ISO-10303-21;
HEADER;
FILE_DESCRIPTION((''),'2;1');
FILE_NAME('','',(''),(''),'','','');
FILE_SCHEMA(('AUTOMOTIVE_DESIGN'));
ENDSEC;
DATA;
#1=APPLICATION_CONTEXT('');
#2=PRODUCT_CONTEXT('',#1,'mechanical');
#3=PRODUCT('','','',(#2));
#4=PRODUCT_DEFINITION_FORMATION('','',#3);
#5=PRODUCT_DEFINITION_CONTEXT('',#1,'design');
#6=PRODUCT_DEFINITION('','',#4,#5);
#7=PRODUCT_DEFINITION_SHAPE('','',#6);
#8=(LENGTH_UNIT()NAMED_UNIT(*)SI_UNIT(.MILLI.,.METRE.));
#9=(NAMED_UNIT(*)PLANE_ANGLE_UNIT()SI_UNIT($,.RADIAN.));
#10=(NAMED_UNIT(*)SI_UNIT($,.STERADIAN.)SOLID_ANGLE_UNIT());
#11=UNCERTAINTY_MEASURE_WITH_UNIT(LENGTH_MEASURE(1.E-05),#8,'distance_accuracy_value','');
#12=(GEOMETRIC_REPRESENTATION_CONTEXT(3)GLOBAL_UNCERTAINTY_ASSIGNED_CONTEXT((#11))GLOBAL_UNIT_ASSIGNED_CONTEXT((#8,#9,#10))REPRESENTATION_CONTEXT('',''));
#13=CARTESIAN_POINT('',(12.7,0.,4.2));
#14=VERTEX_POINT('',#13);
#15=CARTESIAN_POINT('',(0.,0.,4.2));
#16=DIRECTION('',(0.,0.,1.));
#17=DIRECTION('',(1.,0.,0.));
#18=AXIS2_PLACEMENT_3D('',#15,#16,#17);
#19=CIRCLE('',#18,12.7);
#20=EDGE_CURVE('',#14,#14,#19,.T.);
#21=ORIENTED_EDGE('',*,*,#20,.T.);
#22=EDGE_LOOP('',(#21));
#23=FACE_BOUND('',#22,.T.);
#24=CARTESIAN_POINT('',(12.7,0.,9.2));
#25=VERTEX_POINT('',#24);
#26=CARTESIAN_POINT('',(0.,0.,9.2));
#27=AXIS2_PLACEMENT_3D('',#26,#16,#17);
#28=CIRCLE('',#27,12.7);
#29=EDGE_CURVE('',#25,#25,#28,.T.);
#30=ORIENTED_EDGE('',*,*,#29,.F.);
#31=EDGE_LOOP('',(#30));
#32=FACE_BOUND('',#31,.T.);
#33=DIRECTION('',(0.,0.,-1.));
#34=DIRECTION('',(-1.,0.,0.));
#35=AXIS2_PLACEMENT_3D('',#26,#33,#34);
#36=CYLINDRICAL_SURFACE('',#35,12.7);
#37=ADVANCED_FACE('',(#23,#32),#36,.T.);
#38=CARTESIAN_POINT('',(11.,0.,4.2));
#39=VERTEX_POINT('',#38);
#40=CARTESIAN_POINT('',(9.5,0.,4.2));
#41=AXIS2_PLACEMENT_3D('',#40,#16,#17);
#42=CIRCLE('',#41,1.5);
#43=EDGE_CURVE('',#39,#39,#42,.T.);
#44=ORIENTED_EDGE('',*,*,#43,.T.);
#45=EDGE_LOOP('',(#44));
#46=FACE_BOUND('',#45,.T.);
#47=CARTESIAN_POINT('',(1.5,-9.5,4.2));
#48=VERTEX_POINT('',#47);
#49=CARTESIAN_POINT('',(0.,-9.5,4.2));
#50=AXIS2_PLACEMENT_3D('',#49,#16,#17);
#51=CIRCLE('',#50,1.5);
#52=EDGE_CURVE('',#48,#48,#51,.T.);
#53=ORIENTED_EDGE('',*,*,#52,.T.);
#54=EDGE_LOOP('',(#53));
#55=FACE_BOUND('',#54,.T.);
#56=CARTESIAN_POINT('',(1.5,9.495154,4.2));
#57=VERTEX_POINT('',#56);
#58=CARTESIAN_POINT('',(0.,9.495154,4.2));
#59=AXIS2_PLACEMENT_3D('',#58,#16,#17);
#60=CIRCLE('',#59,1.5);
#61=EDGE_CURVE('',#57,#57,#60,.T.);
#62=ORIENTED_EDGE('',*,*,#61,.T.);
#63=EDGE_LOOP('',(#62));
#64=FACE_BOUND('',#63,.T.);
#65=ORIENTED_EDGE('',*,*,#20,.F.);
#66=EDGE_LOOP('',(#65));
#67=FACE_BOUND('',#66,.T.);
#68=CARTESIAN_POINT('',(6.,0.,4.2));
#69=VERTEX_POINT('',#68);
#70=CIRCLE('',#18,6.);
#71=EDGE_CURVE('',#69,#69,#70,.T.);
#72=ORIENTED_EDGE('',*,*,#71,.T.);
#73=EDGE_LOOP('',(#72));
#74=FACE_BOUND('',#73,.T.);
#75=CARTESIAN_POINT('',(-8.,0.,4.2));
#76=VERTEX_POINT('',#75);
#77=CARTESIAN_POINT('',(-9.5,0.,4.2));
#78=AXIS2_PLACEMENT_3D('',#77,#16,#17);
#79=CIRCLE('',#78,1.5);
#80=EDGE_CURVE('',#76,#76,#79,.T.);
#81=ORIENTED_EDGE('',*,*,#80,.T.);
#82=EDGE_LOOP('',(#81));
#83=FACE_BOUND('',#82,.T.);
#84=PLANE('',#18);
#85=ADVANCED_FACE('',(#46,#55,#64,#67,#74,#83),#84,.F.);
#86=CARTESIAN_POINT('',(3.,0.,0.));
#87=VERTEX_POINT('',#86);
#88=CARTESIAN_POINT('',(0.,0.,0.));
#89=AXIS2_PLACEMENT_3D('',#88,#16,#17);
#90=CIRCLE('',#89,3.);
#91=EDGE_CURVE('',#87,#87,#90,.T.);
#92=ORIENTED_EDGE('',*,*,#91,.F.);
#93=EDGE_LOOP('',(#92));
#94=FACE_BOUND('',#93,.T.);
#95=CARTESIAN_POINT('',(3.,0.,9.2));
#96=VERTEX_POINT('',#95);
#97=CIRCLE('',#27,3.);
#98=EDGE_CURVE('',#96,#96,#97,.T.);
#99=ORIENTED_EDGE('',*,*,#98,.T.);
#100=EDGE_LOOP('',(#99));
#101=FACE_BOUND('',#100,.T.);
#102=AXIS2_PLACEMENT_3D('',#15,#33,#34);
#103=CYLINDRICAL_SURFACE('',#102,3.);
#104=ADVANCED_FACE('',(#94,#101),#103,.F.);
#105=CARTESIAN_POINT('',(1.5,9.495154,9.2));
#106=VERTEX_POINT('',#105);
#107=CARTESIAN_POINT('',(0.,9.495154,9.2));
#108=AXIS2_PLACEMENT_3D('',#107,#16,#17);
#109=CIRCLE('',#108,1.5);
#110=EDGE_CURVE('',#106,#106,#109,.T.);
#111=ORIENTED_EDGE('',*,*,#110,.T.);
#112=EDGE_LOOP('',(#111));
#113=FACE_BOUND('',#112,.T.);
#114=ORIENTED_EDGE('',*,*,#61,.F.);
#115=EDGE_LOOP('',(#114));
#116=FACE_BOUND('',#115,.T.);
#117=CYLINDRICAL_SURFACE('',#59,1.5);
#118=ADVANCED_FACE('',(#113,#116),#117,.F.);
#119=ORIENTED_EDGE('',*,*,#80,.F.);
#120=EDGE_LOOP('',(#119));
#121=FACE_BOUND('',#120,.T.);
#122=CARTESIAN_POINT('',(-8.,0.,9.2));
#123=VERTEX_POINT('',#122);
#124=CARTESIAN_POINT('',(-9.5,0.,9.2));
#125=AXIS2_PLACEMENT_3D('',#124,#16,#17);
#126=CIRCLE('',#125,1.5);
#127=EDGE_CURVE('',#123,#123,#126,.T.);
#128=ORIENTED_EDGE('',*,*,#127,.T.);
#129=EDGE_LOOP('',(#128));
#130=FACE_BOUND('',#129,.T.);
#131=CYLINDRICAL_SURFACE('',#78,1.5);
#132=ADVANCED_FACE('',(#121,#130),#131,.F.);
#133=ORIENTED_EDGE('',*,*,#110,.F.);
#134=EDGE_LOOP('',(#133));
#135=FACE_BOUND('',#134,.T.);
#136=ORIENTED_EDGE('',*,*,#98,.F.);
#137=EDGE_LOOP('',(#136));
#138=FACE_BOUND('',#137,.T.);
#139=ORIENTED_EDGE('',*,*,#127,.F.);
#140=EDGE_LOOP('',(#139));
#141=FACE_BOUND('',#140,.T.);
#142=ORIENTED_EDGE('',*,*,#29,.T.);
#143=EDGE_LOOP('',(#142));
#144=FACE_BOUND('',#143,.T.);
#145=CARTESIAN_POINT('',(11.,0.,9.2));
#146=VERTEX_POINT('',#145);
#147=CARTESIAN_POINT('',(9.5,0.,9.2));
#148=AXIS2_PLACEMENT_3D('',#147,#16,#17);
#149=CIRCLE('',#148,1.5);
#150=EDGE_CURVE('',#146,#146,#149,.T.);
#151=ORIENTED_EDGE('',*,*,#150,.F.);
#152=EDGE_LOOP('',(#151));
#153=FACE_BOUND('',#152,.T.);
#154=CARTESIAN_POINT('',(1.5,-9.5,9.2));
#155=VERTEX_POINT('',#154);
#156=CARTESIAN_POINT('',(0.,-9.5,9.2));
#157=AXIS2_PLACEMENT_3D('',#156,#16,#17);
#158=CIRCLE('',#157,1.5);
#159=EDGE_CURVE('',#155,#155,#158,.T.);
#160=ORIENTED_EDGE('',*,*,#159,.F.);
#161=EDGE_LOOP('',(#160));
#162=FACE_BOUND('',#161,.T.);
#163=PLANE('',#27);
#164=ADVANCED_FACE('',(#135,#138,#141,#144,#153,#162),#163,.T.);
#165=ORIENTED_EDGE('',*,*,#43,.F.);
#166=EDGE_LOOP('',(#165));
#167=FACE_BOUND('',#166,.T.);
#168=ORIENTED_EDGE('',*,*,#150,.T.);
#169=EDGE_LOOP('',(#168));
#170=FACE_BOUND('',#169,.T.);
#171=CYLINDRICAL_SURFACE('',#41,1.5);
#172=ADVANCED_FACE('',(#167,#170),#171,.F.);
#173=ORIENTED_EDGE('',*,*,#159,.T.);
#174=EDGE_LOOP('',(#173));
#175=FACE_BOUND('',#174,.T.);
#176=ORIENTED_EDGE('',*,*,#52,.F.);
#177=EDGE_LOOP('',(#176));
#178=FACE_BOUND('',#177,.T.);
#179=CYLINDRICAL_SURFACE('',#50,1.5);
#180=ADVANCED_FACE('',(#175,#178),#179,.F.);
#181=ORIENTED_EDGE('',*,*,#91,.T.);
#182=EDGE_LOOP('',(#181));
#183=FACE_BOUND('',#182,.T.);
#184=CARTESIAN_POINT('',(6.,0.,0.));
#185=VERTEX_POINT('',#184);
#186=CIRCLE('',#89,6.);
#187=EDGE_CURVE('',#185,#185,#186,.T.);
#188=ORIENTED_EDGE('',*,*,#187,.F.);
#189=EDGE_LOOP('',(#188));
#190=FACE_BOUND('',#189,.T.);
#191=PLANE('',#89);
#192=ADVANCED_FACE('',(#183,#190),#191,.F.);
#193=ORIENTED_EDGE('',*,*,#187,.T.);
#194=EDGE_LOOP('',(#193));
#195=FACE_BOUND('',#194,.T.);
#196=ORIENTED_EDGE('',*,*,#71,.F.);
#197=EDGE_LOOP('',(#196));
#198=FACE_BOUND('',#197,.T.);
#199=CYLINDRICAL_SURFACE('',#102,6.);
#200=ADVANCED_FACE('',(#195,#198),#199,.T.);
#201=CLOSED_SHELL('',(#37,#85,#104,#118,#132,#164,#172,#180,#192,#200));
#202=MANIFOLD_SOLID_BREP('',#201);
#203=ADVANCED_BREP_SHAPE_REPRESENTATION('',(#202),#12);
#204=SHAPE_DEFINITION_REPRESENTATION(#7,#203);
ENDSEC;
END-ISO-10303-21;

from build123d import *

# Parameters (mm, degrees)
SKETCH1_R           = 6
SKETCH1_R_2         = 3
BOSS_EXTRUDE1_DEPTH = 4.2
SKETCH2_R           = 12.7
SKETCH2_R_2         = 3
BOSS_EXTRUDE2_DEPTH = 5
SKETCH3_R           = 1.5
CUT_EXTRUDE1_DEPTH  = 5


with BuildPart() as part:
    # Sketch1 → Boss-Extrude1 (new body)
    with BuildSketch(Plane.XY):
        Circle(SKETCH1_R)
        Circle(SKETCH1_R_2, mode=Mode.SUBTRACT)
    extrude(amount=BOSS_EXTRUDE1_DEPTH)

    # Sketch2 → Boss-Extrude2 (add)
    with BuildSketch(Plane.XY.offset(4.2)):
        Circle(SKETCH2_R)
        Circle(SKETCH2_R_2, mode=Mode.SUBTRACT)
    extrude(amount=BOSS_EXTRUDE2_DEPTH)

    # Sketch3 → Cut-Extrude1 (cut)
    with BuildSketch(Plane.XY.offset(9.2)):
        with Locations((0, 9.49515399)):
            Circle(SKETCH3_R)
        with Locations((0, -9.5)):
            Circle(SKETCH3_R)
        with Locations((9.5, 0)):
            Circle(SKETCH3_R)
        with Locations((-9.5, 0)):
            Circle(SKETCH3_R)
    extrude(amount=-CUT_EXTRUDE1_DEPTH, mode=Mode.SUBTRACT)


solid = part.part
